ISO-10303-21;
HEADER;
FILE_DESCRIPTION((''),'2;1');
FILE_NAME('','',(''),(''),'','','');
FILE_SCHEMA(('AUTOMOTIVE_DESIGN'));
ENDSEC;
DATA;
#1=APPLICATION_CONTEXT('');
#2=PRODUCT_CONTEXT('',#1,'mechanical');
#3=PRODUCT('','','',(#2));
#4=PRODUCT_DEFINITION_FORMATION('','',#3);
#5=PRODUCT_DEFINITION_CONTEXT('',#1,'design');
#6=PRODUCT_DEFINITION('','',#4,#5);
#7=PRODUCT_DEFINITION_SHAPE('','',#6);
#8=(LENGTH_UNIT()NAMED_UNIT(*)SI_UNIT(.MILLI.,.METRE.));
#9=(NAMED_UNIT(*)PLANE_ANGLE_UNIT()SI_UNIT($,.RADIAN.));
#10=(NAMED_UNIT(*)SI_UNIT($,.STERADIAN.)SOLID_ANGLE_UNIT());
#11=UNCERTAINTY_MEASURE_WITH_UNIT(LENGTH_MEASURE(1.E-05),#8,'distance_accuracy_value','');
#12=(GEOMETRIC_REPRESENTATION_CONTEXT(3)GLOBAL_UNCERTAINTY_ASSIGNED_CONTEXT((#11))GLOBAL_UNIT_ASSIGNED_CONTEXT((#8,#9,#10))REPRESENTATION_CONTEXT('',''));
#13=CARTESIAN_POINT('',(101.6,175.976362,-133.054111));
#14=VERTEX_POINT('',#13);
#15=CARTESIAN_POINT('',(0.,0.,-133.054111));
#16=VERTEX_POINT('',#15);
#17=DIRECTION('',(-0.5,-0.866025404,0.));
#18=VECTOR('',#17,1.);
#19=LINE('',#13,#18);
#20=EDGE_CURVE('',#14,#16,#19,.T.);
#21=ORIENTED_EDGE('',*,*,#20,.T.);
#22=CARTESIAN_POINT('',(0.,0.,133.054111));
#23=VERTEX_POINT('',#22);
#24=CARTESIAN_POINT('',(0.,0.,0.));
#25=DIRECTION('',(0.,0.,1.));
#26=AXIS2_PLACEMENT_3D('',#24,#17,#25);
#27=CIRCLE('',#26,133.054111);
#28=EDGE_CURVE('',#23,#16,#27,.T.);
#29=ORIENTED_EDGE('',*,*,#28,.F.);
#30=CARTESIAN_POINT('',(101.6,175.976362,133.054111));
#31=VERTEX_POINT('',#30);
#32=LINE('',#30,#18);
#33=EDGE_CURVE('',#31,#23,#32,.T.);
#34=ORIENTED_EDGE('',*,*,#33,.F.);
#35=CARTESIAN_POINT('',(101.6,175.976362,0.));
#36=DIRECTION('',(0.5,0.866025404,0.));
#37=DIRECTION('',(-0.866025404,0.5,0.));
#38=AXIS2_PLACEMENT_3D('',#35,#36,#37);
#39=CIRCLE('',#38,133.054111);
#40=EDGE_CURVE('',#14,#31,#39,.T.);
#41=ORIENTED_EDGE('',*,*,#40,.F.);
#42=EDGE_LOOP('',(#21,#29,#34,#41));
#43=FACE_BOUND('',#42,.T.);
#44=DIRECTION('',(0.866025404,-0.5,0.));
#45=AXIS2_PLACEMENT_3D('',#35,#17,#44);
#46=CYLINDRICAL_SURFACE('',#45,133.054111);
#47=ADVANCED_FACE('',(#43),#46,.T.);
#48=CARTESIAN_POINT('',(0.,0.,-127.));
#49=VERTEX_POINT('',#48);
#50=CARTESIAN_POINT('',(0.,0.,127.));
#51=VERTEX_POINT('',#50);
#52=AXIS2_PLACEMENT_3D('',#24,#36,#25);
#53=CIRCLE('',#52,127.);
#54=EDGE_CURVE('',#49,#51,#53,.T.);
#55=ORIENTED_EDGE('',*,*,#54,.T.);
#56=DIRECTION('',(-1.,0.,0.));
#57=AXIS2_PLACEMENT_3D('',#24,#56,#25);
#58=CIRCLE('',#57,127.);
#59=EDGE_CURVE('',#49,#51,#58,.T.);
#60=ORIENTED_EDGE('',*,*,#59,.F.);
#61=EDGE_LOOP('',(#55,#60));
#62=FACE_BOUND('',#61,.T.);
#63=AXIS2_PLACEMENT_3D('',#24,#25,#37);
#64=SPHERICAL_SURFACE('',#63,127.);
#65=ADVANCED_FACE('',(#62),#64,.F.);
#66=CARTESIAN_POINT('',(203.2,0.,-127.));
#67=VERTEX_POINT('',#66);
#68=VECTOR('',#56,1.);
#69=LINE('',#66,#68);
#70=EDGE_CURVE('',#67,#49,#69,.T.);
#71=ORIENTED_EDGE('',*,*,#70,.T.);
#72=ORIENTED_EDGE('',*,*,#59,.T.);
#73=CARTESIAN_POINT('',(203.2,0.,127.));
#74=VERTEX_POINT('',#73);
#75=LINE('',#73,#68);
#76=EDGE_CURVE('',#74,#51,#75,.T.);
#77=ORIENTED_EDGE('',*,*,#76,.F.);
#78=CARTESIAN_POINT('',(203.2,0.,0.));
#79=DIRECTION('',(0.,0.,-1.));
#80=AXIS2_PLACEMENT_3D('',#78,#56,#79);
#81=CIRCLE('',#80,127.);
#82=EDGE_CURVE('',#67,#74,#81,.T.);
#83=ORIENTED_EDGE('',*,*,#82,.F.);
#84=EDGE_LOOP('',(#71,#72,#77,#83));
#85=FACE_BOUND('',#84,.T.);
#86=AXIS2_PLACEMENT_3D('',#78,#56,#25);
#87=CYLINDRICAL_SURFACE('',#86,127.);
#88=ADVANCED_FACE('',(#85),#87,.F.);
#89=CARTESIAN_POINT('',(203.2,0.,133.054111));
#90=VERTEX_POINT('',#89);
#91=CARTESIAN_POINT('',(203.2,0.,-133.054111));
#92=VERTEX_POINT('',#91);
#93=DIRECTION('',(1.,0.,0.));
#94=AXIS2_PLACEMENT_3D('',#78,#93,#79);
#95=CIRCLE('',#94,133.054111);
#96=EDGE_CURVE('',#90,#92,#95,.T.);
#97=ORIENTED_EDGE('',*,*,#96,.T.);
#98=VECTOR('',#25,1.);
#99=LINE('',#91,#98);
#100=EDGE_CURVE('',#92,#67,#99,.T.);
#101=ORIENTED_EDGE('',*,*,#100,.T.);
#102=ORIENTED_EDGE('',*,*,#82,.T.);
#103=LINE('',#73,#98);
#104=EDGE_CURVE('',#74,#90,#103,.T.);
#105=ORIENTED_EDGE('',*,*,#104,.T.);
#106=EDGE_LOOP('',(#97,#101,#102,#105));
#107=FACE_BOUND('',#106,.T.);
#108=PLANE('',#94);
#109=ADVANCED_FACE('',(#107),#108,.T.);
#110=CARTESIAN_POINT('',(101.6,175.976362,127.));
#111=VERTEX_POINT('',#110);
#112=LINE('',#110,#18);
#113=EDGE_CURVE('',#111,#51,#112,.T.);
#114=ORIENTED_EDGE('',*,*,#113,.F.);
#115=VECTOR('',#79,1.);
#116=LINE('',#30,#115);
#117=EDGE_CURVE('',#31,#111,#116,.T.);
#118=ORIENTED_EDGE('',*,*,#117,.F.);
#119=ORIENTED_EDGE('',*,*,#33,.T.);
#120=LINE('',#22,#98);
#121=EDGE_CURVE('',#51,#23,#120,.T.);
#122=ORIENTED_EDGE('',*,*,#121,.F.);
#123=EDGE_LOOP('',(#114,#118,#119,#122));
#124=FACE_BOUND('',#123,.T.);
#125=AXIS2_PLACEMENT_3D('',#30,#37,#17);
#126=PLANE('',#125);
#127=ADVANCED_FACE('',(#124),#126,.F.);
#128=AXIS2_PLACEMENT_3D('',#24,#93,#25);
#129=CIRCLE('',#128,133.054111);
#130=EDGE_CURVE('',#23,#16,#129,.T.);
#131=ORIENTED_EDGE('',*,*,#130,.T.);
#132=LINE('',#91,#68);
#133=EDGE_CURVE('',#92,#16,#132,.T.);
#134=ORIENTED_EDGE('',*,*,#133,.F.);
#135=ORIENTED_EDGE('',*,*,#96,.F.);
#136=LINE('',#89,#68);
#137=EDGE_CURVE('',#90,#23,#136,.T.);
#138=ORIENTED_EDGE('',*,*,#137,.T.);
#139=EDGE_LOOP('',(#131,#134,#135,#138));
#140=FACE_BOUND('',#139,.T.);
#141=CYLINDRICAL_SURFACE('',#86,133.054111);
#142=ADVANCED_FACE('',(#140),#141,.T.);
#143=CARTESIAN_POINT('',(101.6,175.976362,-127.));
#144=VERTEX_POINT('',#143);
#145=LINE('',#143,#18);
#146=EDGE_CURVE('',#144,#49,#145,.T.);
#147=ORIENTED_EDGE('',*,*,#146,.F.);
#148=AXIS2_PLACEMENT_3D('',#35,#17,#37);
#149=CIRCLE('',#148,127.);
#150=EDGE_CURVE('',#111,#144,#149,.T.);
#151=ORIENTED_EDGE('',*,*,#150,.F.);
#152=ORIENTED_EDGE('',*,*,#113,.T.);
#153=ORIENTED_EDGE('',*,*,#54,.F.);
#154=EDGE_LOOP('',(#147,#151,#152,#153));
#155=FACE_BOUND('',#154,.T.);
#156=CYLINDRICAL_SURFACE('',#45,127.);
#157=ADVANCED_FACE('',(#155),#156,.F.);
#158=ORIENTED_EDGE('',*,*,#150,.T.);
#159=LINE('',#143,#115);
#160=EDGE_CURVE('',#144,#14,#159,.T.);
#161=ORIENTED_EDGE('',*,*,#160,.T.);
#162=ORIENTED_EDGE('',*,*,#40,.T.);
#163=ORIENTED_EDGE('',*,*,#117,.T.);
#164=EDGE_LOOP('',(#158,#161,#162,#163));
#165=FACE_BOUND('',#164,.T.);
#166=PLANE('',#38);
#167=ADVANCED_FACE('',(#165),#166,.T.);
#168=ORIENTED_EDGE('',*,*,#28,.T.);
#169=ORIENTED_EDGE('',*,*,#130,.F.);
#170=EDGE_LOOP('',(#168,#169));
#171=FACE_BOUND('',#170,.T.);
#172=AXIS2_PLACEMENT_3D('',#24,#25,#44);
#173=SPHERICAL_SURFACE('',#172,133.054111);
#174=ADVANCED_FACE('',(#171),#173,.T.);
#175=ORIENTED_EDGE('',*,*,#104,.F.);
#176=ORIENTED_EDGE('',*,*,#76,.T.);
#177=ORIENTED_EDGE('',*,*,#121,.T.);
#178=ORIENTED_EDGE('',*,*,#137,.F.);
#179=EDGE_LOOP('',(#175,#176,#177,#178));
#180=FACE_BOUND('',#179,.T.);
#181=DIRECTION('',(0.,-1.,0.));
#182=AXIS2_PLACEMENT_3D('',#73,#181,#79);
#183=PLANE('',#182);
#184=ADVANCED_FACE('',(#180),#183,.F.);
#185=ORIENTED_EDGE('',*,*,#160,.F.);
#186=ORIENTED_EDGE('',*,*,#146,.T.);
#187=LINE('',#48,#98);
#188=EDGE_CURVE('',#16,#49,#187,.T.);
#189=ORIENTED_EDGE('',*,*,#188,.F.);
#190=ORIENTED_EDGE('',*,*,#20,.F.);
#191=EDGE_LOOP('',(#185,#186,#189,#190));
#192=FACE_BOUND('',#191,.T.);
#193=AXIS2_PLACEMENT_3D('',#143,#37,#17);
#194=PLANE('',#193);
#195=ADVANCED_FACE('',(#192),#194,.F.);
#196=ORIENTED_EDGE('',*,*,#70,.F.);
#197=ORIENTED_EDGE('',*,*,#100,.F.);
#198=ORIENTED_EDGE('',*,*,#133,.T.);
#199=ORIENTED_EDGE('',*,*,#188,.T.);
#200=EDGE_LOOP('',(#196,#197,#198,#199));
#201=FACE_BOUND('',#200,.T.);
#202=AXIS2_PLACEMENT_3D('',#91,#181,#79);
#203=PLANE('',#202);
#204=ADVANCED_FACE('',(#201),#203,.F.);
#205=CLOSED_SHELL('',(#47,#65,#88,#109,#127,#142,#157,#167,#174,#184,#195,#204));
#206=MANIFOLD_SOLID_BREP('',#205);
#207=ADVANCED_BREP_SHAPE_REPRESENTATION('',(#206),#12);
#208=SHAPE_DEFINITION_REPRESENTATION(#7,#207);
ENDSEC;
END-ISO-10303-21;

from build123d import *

# Parameters (mm, degrees)
REVOLVE4_ANGLE      = 120
BOSS_EXTRUDE3_DEPTH = 203.2
BOSS_EXTRUDE4_DEPTH = 203.2


with BuildPart() as part:
    # Sketch7 → Revolve4 (revolve)
    with BuildSketch(Plane(origin=(0, 0, 0), x_dir=(0, 0, -1), z_dir=(1, 0, 0))):
        with BuildLine():
            Line((-133.054110977, 0), (-127, 0))
            ThreePointArc((-127, 0), (0, -127), (127, 0))
            Line((127, 0), (133.054110977, 0))
            ThreePointArc((133.054110977, 0), (0, -133.054110977), (-133.054110977, 0))
        make_face()
    revolve(axis=Axis((0, 0, 127), (0, 0, -1)), revolution_arc=REVOLVE4_ANGLE)

    # Sketch8 → Boss-Extrude3 (add)
    with BuildSketch(Plane(origin=(0, 0, 0), x_dir=(0, 0, -1), z_dir=(1, 0, 0))):
        with BuildLine():
            Line((-127, 0), (-133.054110977, 0))
            ThreePointArc((-133.054110977, 0), (0, -133.054110977), (133.054110977, 0))
            Line((133.054110977, 0), (127, 0))
            ThreePointArc((127, 0), (0, -127), (-127, 0))
        make_face()
    extrude(amount=BOSS_EXTRUDE3_DEPTH)

    # Sketch9 → Boss-Extrude4 (add)
    with BuildSketch(Plane(origin=(0, 0, 0), x_dir=(0.8660254037844363, -0.5000000000000043, 0), z_dir=(0.5000000000000042, 0.8660254037844362, 0))):
        with BuildLine():
            Line((0, 127), (0, 133.054110977))
            ThreePointArc((0, 133.054110977), (-133.054110977, 0), (0, -133.054110977))
            Line((0, -133.054110977), (0, -127))
            ThreePointArc((0, -127), (-127, 0), (0, 127))
        make_face()
    extrude(amount=BOSS_EXTRUDE4_DEPTH)


solid = part.part
